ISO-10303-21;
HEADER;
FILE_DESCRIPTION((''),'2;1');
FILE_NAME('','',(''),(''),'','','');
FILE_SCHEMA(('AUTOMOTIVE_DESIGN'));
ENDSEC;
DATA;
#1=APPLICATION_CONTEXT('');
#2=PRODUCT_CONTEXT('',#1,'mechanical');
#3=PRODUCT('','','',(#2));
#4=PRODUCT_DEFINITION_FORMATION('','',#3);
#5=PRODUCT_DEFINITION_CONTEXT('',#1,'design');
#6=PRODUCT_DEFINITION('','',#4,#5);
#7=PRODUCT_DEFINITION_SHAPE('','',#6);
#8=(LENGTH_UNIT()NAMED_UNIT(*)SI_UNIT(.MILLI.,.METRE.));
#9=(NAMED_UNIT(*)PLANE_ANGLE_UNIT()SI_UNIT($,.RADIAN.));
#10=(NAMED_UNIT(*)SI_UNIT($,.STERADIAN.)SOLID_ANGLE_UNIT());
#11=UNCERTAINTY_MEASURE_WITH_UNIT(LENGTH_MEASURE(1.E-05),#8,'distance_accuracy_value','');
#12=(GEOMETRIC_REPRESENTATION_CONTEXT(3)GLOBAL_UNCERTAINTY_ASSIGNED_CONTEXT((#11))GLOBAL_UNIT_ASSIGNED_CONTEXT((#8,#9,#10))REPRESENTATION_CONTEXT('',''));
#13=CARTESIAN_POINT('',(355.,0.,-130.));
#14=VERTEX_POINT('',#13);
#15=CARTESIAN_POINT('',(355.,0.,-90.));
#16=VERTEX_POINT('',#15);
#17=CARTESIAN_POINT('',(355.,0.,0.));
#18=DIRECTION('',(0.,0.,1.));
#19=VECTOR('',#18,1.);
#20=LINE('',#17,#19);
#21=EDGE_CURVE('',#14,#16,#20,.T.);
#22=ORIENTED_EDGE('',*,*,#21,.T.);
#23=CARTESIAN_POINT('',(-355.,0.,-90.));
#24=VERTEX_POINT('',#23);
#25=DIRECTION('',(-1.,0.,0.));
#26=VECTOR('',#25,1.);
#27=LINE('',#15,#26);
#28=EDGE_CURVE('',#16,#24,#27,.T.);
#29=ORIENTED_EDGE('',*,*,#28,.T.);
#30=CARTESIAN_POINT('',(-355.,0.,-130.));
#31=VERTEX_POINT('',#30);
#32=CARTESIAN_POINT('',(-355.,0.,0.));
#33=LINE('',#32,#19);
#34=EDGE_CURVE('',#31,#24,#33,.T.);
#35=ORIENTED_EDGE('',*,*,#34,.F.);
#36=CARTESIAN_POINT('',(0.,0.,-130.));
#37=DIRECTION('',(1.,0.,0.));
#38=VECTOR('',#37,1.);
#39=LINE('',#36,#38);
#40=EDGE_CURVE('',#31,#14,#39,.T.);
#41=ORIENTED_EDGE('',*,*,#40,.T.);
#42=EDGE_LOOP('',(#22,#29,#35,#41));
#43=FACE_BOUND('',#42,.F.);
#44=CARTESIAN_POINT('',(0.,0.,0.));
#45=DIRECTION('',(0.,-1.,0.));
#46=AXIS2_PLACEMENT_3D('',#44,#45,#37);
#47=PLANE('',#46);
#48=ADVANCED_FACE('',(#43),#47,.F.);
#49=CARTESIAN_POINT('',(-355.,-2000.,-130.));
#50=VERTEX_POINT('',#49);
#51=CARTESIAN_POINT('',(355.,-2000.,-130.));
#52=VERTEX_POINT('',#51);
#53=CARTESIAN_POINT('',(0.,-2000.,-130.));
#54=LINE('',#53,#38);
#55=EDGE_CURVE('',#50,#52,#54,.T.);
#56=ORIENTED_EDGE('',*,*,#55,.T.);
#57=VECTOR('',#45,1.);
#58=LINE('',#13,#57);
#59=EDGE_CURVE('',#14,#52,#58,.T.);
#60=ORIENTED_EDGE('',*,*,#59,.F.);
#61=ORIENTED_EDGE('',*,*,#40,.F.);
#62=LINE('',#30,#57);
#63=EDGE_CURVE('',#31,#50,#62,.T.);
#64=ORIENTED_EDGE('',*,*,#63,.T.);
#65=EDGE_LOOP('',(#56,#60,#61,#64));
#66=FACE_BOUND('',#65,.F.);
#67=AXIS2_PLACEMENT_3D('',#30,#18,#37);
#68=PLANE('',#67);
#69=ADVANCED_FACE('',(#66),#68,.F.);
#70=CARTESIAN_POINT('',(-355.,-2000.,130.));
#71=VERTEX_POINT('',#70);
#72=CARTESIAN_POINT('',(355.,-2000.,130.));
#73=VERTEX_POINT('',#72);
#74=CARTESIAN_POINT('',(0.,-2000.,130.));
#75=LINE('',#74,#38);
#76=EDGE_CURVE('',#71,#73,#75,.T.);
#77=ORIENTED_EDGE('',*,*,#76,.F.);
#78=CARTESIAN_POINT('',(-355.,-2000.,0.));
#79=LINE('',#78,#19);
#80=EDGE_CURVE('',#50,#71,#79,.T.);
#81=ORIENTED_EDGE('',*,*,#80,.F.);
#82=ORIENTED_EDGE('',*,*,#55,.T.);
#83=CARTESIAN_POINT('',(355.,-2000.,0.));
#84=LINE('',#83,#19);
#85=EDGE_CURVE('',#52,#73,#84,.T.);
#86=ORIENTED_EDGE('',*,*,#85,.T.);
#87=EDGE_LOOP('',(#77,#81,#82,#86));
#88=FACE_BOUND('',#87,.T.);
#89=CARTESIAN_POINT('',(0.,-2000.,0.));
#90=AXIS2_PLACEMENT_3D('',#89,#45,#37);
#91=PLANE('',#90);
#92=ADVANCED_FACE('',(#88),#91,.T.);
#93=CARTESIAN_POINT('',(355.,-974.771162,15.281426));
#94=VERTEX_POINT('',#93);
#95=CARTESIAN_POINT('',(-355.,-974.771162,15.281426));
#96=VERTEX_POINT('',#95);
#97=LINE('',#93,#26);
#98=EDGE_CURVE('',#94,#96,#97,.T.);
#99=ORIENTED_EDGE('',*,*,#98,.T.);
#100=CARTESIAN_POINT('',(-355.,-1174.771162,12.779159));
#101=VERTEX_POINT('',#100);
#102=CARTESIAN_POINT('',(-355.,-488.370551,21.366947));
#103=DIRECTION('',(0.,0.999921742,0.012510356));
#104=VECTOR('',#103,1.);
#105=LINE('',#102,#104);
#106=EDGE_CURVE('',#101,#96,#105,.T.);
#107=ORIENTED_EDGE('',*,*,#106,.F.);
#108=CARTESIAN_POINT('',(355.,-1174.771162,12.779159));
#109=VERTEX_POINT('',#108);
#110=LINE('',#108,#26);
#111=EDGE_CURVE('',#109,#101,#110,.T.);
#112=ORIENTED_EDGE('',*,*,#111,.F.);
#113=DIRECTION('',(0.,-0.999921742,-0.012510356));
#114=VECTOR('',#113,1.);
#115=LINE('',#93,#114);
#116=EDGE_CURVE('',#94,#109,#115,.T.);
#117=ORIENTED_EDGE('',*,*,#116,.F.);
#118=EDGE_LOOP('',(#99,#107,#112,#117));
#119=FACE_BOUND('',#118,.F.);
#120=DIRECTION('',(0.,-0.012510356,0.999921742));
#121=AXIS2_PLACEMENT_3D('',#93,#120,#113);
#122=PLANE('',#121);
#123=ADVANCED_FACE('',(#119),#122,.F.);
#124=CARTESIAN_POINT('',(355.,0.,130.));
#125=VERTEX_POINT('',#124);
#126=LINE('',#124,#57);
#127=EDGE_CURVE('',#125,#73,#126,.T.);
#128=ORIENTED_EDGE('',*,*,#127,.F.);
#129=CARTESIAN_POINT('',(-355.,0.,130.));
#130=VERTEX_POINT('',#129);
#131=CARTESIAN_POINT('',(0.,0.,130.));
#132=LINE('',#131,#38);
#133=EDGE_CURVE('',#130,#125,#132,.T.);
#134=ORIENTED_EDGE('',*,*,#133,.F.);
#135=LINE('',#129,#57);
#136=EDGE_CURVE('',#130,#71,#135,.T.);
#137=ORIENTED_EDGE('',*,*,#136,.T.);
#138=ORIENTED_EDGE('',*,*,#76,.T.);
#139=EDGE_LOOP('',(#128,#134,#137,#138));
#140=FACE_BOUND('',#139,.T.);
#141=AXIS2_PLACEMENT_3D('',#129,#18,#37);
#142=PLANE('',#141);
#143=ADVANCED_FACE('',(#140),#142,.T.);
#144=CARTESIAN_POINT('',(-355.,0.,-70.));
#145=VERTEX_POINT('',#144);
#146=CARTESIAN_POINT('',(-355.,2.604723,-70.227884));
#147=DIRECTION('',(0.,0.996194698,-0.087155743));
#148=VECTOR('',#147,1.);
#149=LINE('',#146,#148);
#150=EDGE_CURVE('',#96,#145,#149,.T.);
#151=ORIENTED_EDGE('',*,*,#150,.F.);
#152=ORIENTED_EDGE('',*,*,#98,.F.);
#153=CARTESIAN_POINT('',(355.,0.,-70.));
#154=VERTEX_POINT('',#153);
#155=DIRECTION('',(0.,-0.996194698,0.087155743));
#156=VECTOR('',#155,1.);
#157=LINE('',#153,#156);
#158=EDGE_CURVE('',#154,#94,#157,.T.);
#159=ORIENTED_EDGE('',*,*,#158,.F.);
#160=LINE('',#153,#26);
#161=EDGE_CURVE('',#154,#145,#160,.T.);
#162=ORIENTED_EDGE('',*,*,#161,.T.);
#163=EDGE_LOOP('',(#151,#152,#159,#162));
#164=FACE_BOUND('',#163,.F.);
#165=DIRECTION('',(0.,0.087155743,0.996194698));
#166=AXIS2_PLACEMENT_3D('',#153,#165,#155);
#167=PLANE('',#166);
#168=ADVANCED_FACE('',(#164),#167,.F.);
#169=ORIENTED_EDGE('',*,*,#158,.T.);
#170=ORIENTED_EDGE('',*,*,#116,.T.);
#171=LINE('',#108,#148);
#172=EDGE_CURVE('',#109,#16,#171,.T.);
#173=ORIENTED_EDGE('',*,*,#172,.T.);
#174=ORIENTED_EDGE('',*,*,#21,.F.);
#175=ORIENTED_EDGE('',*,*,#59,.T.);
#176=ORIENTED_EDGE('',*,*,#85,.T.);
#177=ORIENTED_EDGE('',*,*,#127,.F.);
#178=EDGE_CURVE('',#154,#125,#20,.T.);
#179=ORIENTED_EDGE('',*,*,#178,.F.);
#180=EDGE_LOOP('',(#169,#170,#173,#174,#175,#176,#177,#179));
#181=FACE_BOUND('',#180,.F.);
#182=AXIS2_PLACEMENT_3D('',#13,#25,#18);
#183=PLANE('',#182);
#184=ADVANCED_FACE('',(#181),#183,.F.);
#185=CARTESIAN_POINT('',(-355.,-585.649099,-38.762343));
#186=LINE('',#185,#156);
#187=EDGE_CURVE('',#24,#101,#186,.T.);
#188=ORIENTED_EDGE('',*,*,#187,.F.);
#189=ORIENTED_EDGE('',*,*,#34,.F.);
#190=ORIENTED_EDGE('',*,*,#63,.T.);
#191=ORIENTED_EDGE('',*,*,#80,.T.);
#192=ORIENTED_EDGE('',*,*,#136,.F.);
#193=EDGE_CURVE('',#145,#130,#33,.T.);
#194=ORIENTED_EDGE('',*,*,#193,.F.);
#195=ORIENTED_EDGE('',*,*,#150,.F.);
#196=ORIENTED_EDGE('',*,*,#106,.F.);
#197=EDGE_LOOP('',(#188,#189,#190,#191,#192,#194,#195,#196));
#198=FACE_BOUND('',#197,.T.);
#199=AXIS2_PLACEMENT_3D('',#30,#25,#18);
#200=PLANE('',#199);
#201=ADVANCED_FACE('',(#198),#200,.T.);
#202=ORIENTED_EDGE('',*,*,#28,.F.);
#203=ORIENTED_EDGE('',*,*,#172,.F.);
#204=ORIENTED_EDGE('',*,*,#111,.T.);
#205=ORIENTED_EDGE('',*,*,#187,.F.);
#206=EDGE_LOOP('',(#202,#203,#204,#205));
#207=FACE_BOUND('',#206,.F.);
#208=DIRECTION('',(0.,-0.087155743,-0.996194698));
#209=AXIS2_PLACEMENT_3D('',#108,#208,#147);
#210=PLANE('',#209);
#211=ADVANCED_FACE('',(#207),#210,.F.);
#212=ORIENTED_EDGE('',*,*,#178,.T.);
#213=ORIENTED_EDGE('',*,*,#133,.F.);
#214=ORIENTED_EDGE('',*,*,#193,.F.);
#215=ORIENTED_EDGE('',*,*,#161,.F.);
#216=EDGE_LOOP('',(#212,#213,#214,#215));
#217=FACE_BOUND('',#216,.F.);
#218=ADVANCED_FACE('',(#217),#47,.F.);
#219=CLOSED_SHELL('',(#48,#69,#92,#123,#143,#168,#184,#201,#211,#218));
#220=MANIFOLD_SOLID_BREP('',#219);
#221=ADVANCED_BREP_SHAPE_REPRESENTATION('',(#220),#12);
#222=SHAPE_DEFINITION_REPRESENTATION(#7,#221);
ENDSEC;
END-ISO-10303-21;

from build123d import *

# Parameters (mm, degrees)
F0_W     = 710
F0_H     = 260
F1_DEPTH = 2000
F3_DEPTH = 710.001


with BuildPart() as f1:
    # F0 (on Front) → F1 (new body)
    with BuildSketch(Plane.XZ):
        Rectangle(F0_W, F0_H)
    extrude(amount=F1_DEPTH)

    # F2 (on face) → F3 (cut, through all)
    with BuildSketch(Plane.YZ.offset(355)):
        Polygon((0, -90), (0, -70), (-974.771162, 15.281426), (-1174.771162, 12.779159), align=None)
    extrude(amount=-F3_DEPTH, mode=Mode.SUBTRACT)


solid = f1.part
